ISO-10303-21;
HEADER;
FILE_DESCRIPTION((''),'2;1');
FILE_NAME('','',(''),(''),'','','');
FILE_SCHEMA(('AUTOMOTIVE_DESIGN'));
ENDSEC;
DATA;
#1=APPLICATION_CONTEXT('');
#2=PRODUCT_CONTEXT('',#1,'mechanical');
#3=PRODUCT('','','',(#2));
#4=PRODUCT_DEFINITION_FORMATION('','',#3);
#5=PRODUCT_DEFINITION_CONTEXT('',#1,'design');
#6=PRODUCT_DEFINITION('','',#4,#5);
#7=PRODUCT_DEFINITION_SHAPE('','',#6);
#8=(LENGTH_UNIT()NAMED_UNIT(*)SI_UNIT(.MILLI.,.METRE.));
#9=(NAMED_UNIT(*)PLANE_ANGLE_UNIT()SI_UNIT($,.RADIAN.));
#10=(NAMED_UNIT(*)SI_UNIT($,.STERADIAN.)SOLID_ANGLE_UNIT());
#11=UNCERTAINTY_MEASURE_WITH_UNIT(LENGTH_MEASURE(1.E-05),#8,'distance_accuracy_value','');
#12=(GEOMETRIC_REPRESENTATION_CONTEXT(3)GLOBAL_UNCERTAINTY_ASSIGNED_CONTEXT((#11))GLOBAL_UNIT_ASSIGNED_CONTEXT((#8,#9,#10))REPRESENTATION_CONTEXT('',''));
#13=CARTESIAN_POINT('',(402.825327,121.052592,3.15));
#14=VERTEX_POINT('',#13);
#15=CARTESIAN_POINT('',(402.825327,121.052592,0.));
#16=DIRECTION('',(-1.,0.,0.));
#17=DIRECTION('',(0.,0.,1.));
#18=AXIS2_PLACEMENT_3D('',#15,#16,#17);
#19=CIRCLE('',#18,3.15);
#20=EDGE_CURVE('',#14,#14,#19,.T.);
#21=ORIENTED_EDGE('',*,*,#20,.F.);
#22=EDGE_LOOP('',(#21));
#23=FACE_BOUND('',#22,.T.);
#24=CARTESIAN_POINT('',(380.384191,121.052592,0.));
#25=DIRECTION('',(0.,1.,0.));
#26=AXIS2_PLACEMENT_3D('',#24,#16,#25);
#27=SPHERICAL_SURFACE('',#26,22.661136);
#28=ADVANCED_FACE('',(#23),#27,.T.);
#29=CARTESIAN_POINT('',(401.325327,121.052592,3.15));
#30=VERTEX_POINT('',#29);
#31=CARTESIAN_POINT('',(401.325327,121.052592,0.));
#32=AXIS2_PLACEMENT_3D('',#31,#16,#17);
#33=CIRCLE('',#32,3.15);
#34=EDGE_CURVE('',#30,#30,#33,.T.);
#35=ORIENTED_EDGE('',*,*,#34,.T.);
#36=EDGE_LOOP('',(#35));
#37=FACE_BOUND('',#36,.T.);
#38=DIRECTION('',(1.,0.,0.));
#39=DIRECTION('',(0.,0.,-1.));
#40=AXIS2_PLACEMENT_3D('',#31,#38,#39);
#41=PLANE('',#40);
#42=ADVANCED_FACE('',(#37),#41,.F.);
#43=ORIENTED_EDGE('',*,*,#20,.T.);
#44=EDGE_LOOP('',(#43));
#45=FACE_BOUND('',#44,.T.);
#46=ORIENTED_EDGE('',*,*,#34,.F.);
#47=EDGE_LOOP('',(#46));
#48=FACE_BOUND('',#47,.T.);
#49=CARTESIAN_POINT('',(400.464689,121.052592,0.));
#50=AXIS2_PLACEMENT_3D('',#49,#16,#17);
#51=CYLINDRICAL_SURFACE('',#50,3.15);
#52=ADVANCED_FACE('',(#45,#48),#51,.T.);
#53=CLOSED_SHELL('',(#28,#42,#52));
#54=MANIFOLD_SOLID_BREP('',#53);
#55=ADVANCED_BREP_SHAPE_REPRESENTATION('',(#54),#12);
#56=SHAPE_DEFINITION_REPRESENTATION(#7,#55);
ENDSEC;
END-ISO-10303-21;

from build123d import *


with BuildPart() as part:
    # 草图1 → 旋转1 (revolve)
    with BuildSketch(Plane.XY):
        with BuildLine():
            Line((401.325327277, 121.052591536), (401.325327277, 124.202591536))
            Line((401.325327277, 124.202591536), (402.825327277, 124.202591536))
            ThreePointArc((402.825327277, 124.202591536), (402.990260371, 122.631428133), (403.045327277, 121.052591536))
            Line((403.045327277, 121.052591536), (401.325327277, 121.052591536))
        make_face()
    revolve(axis=Axis((400.464689189, 121.052591536, 0), (1, 0, 0)))


solid = part.part
